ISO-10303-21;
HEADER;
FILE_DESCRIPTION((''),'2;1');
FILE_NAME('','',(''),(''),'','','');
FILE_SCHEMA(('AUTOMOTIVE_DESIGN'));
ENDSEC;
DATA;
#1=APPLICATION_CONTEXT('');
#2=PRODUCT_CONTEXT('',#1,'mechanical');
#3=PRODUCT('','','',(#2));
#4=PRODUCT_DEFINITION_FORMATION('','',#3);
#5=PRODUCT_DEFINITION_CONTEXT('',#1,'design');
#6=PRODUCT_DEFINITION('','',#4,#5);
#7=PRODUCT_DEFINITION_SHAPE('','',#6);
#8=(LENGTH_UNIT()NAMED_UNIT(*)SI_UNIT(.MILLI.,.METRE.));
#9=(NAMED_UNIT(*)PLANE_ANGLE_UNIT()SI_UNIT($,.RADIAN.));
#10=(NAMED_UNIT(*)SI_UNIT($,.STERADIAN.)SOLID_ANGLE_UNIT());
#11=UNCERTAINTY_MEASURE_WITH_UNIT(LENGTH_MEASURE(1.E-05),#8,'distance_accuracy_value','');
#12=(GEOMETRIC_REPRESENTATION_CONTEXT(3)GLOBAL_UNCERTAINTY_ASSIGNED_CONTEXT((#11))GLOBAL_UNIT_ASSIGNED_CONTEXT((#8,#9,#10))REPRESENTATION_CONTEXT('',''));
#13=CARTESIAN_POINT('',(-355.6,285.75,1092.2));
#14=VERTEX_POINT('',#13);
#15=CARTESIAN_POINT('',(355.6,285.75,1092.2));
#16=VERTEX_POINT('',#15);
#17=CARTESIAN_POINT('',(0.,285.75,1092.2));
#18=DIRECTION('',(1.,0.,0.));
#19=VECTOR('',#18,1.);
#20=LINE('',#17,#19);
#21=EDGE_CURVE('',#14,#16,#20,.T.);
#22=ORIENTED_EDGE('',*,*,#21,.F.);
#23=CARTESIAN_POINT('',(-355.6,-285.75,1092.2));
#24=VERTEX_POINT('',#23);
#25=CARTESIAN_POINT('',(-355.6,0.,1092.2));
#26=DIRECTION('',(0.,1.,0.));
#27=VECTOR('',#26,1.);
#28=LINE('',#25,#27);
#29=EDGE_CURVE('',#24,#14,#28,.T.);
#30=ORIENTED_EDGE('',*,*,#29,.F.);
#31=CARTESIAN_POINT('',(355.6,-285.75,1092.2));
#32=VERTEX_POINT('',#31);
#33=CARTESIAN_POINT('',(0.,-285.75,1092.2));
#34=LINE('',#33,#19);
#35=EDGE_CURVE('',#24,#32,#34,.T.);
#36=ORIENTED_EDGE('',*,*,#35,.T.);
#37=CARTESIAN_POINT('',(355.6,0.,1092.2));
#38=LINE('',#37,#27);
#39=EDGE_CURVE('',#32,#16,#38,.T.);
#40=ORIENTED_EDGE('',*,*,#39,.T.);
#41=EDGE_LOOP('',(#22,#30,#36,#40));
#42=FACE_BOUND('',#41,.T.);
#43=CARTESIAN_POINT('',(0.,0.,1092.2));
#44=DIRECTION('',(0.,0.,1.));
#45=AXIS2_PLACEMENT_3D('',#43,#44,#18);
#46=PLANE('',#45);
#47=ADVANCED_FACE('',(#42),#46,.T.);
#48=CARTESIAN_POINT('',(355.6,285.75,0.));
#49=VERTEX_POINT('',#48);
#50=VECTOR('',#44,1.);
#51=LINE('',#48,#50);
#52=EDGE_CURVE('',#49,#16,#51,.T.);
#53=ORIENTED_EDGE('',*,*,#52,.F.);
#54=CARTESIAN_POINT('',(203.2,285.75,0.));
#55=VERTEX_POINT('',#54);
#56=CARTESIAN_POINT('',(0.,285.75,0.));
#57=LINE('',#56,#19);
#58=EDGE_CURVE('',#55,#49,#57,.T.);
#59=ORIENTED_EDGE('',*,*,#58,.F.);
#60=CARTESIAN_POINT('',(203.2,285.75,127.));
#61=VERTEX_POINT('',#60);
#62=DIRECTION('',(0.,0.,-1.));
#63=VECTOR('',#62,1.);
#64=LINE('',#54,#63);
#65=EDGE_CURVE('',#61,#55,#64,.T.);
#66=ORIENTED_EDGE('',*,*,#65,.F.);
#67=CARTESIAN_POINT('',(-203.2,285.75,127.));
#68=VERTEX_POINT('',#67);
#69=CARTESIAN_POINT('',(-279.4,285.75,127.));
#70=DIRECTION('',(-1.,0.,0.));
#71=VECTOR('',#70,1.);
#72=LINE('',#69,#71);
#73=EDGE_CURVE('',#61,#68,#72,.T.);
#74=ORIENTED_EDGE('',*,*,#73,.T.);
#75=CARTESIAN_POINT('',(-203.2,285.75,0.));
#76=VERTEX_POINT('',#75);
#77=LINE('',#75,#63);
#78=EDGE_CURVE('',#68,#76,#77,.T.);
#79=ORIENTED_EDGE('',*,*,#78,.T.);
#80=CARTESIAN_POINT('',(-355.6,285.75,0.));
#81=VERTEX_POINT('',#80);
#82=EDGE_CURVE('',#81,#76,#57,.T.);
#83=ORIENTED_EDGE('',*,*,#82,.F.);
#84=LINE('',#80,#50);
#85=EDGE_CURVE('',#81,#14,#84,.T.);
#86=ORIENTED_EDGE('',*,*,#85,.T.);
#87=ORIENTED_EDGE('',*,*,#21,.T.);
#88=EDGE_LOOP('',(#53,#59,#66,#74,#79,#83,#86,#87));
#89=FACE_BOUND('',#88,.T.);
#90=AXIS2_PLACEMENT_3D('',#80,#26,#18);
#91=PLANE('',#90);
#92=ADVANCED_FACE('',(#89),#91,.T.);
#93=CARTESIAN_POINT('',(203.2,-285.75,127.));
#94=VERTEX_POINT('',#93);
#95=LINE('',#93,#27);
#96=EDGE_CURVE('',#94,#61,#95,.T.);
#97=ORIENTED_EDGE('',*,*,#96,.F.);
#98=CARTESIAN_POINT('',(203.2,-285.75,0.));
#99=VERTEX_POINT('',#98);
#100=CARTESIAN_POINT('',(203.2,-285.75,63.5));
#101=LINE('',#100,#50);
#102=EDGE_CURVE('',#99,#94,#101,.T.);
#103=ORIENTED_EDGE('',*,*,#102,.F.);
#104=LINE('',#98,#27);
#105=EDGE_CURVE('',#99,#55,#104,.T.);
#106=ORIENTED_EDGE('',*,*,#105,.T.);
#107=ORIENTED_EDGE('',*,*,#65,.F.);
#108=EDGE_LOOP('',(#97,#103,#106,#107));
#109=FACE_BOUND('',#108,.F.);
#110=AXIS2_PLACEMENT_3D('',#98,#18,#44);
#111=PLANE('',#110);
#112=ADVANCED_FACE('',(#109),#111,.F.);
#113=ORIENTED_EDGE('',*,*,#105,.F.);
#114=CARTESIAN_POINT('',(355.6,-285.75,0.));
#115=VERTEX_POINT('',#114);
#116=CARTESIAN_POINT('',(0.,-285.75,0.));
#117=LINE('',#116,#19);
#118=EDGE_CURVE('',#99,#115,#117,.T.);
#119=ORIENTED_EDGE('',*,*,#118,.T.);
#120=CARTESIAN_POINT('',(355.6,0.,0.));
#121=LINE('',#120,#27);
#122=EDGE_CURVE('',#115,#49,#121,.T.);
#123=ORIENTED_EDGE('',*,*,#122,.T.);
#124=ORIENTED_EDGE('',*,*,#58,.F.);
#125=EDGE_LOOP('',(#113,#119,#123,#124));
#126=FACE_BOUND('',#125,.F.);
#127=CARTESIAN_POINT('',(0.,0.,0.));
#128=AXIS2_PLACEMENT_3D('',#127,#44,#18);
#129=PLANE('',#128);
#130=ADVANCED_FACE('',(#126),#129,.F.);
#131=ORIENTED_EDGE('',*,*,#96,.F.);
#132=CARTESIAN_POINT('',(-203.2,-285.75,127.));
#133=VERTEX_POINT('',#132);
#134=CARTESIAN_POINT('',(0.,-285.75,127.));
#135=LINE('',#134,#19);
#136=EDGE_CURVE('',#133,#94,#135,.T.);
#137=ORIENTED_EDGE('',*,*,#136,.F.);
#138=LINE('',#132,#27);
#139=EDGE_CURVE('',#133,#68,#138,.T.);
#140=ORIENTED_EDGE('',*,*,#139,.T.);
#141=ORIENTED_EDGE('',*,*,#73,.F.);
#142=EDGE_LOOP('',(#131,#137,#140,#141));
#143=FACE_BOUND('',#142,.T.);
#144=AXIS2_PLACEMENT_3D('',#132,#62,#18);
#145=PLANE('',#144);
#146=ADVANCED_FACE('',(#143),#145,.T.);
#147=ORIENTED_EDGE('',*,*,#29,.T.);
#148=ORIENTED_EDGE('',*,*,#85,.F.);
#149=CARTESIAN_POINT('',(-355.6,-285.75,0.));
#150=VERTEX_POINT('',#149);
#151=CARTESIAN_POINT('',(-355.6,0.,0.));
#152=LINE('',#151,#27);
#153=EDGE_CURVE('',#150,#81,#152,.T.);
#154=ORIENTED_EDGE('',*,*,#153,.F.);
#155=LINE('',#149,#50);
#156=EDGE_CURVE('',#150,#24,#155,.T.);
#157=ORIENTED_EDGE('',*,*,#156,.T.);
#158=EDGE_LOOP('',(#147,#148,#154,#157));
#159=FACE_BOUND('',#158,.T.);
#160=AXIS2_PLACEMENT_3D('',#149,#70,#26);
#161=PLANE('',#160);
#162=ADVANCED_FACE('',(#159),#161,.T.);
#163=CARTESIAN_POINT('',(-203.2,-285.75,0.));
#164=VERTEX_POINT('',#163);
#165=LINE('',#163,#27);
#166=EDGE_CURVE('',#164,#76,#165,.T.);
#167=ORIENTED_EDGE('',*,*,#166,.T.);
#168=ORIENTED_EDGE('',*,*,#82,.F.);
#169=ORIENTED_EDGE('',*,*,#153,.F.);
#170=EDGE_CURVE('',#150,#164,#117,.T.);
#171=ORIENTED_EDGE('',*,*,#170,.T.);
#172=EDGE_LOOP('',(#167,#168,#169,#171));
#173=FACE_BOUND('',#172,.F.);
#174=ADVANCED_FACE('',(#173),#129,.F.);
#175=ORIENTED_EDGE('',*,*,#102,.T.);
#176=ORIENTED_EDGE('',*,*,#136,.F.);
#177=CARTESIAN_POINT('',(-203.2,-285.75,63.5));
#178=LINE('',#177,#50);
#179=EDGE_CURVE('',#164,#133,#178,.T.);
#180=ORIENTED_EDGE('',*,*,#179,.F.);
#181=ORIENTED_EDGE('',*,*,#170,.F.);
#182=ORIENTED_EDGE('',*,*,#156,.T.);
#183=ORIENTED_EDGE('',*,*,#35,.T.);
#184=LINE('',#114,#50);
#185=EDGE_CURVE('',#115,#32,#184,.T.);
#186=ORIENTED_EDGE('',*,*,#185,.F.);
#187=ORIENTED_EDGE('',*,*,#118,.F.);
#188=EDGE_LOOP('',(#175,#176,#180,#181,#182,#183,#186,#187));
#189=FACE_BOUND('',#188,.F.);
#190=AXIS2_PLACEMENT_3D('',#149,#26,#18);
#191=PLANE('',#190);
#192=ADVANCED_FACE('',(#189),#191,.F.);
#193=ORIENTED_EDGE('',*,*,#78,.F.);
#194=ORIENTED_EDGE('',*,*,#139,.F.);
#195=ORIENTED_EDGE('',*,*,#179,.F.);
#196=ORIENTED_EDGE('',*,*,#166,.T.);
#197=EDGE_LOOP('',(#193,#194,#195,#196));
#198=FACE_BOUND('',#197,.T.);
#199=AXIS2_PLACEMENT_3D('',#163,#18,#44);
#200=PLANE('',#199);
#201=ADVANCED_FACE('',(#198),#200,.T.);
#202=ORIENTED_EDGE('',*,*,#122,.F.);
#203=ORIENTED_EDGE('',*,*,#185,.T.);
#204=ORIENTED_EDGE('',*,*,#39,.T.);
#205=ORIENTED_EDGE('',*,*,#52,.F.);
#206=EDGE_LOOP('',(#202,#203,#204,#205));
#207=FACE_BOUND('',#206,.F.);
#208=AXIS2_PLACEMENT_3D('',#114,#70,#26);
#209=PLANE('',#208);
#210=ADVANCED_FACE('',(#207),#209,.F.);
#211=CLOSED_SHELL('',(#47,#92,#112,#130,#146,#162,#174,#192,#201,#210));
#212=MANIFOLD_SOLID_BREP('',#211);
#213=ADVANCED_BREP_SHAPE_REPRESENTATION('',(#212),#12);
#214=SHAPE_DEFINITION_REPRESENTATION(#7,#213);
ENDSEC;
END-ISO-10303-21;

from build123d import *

# Parameters (mm, degrees)
F0_W     = 711.2
F0_H     = 571.5
F1_DEPTH = 1092.2
F2_W     = 406.4
F2_H     = 127
F3_DEPTH = 571.501


with BuildPart() as f1:
    # F0 (on Top) → F1 (new body)
    with BuildSketch(Plane.XY):
        Rectangle(F0_W, F0_H)
    extrude(amount=F1_DEPTH)

    # F2 (on face) → F3 (cut, through all)
    with BuildSketch(Plane.XZ.offset(285.75)):
        with Locations((0, 63.5)):
            Rectangle(F2_W, F2_H)
    extrude(amount=-F3_DEPTH, mode=Mode.SUBTRACT)


solid = f1.part
